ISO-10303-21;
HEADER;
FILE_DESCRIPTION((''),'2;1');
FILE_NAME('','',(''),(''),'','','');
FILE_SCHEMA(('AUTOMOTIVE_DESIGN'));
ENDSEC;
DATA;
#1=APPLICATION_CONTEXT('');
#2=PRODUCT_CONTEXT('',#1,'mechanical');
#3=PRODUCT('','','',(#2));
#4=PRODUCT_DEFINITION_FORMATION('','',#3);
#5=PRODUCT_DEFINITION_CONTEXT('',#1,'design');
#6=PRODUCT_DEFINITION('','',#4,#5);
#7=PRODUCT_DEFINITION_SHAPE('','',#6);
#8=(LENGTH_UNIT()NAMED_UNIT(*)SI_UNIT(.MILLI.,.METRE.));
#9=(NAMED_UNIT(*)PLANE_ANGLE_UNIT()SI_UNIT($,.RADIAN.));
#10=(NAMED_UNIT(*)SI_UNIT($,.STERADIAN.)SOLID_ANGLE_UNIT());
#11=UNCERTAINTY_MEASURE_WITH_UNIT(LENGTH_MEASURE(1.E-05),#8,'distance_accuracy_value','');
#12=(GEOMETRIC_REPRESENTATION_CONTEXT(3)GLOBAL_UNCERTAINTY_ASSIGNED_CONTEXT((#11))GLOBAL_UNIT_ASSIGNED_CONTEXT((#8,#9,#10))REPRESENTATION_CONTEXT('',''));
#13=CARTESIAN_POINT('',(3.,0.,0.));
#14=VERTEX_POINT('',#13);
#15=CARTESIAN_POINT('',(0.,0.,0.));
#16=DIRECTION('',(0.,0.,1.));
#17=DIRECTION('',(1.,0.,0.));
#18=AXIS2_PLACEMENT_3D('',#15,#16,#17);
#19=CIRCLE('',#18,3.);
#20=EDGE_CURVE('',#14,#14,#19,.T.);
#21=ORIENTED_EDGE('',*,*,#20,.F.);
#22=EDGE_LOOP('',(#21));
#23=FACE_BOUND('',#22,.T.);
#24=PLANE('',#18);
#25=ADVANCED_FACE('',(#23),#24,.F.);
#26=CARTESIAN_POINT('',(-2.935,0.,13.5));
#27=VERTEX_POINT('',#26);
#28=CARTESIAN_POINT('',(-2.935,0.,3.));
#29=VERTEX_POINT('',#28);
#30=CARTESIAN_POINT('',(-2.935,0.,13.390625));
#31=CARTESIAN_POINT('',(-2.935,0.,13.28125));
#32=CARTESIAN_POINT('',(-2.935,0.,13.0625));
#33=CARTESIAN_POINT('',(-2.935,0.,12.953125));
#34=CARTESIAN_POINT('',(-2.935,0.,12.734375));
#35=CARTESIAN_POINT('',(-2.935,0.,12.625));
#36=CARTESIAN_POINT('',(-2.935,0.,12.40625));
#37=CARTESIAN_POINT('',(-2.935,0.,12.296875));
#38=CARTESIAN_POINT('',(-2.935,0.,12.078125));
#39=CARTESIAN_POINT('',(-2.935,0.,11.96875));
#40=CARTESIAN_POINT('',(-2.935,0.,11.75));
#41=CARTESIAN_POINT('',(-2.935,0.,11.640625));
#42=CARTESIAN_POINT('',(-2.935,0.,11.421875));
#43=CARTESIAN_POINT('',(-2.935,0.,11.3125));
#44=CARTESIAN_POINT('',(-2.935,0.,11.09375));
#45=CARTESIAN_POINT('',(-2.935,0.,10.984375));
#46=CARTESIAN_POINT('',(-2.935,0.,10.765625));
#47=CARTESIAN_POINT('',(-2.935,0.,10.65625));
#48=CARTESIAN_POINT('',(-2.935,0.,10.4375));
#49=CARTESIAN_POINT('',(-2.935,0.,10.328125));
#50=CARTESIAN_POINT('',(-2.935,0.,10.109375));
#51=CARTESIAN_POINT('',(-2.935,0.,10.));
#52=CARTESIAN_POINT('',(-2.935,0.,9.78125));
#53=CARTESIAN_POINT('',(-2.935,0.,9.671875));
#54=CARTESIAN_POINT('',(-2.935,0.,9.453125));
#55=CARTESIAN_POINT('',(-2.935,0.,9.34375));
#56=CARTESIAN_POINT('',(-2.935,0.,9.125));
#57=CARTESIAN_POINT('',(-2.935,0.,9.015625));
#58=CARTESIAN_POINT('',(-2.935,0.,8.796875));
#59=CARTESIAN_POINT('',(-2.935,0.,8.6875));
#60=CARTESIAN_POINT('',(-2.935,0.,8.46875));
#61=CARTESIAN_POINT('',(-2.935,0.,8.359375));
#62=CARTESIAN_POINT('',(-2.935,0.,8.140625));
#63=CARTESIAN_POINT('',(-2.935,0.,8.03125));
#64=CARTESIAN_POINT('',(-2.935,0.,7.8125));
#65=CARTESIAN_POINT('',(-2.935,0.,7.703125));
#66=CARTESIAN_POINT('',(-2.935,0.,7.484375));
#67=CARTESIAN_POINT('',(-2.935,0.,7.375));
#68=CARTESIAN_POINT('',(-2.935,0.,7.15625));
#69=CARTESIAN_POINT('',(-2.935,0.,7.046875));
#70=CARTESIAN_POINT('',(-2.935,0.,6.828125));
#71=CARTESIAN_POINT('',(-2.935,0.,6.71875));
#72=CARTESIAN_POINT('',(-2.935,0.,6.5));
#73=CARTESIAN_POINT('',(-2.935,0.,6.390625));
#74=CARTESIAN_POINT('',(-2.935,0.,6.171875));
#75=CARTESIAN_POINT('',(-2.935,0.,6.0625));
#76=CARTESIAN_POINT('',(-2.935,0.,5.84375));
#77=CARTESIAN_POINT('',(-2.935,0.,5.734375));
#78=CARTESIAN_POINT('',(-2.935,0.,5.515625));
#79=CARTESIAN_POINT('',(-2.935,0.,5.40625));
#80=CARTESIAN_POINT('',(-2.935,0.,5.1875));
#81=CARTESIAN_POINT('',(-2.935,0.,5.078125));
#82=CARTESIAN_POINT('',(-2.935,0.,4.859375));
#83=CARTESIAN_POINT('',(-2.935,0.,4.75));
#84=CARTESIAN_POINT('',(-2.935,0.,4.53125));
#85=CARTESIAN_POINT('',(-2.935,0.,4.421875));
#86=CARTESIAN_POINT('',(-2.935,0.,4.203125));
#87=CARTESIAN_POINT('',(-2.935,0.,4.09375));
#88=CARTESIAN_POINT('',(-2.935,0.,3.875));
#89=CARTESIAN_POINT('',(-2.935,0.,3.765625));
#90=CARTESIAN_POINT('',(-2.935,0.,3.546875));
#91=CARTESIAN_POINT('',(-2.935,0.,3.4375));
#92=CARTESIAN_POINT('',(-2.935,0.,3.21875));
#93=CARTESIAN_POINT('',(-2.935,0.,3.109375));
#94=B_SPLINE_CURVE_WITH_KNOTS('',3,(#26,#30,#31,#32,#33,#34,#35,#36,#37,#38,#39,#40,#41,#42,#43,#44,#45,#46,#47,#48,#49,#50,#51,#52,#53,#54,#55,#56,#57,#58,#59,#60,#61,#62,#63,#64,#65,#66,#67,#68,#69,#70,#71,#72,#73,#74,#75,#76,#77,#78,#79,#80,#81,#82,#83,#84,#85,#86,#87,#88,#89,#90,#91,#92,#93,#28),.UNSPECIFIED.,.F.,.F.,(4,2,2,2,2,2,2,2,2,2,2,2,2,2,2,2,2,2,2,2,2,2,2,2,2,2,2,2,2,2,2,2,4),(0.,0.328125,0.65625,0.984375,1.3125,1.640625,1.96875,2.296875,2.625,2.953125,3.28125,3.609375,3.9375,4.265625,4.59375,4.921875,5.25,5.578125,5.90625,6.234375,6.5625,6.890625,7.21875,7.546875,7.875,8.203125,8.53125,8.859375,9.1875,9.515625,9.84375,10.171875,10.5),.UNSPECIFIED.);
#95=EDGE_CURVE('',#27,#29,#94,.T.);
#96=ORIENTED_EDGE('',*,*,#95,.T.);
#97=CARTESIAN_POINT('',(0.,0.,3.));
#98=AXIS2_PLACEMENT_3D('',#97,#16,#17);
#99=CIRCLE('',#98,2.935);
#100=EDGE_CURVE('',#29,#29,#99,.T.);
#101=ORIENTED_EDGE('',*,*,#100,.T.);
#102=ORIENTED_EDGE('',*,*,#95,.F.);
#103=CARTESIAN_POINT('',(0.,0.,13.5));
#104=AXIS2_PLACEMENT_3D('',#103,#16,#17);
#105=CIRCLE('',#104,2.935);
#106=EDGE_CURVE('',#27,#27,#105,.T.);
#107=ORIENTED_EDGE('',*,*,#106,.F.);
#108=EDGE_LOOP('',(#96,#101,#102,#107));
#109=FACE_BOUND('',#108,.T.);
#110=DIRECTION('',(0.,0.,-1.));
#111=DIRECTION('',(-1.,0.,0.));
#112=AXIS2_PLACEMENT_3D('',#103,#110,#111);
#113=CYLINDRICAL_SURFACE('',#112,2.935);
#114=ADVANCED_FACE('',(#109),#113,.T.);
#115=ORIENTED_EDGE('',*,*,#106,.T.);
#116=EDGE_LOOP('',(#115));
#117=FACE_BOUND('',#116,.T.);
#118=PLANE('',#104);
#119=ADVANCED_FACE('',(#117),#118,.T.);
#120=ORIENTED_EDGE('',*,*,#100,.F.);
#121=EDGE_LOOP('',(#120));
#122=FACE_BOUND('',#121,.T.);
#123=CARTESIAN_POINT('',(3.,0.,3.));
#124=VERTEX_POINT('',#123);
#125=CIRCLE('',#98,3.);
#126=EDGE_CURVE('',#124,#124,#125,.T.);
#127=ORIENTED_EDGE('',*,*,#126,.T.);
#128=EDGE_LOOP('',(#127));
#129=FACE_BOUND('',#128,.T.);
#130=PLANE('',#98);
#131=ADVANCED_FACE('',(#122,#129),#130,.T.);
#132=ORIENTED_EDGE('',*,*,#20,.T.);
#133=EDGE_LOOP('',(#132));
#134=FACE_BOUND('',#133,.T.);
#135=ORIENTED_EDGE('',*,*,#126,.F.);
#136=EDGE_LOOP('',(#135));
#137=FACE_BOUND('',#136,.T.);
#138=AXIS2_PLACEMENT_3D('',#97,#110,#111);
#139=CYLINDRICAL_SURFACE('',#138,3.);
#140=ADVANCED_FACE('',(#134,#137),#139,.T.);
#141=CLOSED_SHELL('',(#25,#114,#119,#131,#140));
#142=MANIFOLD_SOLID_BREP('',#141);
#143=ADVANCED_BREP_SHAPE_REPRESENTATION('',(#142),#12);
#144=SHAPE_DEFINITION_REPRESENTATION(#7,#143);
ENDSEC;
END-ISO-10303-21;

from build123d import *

# Parameters (mm, degrees)
SKETCH_1_R      = 3
EXTRUDE_1_DEPTH = 3
SKETCH_2_R      = 2.935
EXTRUDE_2_DEPTH = 10.5


with BuildPart() as part:
    # 스케치1 → 보스-돌출1 (new body)
    with BuildSketch(Plane.XY):
        Circle(SKETCH_1_R)
    extrude(amount=EXTRUDE_1_DEPTH)

    # 스케치2 → 보스-돌출2 (add)
    with BuildSketch(Plane.XY.offset(3)):
        with Locations(Location((0, 0, 0), (0, 0, 180))):
            Circle(SKETCH_2_R)
    extrude(amount=EXTRUDE_2_DEPTH)


solid = part.part
